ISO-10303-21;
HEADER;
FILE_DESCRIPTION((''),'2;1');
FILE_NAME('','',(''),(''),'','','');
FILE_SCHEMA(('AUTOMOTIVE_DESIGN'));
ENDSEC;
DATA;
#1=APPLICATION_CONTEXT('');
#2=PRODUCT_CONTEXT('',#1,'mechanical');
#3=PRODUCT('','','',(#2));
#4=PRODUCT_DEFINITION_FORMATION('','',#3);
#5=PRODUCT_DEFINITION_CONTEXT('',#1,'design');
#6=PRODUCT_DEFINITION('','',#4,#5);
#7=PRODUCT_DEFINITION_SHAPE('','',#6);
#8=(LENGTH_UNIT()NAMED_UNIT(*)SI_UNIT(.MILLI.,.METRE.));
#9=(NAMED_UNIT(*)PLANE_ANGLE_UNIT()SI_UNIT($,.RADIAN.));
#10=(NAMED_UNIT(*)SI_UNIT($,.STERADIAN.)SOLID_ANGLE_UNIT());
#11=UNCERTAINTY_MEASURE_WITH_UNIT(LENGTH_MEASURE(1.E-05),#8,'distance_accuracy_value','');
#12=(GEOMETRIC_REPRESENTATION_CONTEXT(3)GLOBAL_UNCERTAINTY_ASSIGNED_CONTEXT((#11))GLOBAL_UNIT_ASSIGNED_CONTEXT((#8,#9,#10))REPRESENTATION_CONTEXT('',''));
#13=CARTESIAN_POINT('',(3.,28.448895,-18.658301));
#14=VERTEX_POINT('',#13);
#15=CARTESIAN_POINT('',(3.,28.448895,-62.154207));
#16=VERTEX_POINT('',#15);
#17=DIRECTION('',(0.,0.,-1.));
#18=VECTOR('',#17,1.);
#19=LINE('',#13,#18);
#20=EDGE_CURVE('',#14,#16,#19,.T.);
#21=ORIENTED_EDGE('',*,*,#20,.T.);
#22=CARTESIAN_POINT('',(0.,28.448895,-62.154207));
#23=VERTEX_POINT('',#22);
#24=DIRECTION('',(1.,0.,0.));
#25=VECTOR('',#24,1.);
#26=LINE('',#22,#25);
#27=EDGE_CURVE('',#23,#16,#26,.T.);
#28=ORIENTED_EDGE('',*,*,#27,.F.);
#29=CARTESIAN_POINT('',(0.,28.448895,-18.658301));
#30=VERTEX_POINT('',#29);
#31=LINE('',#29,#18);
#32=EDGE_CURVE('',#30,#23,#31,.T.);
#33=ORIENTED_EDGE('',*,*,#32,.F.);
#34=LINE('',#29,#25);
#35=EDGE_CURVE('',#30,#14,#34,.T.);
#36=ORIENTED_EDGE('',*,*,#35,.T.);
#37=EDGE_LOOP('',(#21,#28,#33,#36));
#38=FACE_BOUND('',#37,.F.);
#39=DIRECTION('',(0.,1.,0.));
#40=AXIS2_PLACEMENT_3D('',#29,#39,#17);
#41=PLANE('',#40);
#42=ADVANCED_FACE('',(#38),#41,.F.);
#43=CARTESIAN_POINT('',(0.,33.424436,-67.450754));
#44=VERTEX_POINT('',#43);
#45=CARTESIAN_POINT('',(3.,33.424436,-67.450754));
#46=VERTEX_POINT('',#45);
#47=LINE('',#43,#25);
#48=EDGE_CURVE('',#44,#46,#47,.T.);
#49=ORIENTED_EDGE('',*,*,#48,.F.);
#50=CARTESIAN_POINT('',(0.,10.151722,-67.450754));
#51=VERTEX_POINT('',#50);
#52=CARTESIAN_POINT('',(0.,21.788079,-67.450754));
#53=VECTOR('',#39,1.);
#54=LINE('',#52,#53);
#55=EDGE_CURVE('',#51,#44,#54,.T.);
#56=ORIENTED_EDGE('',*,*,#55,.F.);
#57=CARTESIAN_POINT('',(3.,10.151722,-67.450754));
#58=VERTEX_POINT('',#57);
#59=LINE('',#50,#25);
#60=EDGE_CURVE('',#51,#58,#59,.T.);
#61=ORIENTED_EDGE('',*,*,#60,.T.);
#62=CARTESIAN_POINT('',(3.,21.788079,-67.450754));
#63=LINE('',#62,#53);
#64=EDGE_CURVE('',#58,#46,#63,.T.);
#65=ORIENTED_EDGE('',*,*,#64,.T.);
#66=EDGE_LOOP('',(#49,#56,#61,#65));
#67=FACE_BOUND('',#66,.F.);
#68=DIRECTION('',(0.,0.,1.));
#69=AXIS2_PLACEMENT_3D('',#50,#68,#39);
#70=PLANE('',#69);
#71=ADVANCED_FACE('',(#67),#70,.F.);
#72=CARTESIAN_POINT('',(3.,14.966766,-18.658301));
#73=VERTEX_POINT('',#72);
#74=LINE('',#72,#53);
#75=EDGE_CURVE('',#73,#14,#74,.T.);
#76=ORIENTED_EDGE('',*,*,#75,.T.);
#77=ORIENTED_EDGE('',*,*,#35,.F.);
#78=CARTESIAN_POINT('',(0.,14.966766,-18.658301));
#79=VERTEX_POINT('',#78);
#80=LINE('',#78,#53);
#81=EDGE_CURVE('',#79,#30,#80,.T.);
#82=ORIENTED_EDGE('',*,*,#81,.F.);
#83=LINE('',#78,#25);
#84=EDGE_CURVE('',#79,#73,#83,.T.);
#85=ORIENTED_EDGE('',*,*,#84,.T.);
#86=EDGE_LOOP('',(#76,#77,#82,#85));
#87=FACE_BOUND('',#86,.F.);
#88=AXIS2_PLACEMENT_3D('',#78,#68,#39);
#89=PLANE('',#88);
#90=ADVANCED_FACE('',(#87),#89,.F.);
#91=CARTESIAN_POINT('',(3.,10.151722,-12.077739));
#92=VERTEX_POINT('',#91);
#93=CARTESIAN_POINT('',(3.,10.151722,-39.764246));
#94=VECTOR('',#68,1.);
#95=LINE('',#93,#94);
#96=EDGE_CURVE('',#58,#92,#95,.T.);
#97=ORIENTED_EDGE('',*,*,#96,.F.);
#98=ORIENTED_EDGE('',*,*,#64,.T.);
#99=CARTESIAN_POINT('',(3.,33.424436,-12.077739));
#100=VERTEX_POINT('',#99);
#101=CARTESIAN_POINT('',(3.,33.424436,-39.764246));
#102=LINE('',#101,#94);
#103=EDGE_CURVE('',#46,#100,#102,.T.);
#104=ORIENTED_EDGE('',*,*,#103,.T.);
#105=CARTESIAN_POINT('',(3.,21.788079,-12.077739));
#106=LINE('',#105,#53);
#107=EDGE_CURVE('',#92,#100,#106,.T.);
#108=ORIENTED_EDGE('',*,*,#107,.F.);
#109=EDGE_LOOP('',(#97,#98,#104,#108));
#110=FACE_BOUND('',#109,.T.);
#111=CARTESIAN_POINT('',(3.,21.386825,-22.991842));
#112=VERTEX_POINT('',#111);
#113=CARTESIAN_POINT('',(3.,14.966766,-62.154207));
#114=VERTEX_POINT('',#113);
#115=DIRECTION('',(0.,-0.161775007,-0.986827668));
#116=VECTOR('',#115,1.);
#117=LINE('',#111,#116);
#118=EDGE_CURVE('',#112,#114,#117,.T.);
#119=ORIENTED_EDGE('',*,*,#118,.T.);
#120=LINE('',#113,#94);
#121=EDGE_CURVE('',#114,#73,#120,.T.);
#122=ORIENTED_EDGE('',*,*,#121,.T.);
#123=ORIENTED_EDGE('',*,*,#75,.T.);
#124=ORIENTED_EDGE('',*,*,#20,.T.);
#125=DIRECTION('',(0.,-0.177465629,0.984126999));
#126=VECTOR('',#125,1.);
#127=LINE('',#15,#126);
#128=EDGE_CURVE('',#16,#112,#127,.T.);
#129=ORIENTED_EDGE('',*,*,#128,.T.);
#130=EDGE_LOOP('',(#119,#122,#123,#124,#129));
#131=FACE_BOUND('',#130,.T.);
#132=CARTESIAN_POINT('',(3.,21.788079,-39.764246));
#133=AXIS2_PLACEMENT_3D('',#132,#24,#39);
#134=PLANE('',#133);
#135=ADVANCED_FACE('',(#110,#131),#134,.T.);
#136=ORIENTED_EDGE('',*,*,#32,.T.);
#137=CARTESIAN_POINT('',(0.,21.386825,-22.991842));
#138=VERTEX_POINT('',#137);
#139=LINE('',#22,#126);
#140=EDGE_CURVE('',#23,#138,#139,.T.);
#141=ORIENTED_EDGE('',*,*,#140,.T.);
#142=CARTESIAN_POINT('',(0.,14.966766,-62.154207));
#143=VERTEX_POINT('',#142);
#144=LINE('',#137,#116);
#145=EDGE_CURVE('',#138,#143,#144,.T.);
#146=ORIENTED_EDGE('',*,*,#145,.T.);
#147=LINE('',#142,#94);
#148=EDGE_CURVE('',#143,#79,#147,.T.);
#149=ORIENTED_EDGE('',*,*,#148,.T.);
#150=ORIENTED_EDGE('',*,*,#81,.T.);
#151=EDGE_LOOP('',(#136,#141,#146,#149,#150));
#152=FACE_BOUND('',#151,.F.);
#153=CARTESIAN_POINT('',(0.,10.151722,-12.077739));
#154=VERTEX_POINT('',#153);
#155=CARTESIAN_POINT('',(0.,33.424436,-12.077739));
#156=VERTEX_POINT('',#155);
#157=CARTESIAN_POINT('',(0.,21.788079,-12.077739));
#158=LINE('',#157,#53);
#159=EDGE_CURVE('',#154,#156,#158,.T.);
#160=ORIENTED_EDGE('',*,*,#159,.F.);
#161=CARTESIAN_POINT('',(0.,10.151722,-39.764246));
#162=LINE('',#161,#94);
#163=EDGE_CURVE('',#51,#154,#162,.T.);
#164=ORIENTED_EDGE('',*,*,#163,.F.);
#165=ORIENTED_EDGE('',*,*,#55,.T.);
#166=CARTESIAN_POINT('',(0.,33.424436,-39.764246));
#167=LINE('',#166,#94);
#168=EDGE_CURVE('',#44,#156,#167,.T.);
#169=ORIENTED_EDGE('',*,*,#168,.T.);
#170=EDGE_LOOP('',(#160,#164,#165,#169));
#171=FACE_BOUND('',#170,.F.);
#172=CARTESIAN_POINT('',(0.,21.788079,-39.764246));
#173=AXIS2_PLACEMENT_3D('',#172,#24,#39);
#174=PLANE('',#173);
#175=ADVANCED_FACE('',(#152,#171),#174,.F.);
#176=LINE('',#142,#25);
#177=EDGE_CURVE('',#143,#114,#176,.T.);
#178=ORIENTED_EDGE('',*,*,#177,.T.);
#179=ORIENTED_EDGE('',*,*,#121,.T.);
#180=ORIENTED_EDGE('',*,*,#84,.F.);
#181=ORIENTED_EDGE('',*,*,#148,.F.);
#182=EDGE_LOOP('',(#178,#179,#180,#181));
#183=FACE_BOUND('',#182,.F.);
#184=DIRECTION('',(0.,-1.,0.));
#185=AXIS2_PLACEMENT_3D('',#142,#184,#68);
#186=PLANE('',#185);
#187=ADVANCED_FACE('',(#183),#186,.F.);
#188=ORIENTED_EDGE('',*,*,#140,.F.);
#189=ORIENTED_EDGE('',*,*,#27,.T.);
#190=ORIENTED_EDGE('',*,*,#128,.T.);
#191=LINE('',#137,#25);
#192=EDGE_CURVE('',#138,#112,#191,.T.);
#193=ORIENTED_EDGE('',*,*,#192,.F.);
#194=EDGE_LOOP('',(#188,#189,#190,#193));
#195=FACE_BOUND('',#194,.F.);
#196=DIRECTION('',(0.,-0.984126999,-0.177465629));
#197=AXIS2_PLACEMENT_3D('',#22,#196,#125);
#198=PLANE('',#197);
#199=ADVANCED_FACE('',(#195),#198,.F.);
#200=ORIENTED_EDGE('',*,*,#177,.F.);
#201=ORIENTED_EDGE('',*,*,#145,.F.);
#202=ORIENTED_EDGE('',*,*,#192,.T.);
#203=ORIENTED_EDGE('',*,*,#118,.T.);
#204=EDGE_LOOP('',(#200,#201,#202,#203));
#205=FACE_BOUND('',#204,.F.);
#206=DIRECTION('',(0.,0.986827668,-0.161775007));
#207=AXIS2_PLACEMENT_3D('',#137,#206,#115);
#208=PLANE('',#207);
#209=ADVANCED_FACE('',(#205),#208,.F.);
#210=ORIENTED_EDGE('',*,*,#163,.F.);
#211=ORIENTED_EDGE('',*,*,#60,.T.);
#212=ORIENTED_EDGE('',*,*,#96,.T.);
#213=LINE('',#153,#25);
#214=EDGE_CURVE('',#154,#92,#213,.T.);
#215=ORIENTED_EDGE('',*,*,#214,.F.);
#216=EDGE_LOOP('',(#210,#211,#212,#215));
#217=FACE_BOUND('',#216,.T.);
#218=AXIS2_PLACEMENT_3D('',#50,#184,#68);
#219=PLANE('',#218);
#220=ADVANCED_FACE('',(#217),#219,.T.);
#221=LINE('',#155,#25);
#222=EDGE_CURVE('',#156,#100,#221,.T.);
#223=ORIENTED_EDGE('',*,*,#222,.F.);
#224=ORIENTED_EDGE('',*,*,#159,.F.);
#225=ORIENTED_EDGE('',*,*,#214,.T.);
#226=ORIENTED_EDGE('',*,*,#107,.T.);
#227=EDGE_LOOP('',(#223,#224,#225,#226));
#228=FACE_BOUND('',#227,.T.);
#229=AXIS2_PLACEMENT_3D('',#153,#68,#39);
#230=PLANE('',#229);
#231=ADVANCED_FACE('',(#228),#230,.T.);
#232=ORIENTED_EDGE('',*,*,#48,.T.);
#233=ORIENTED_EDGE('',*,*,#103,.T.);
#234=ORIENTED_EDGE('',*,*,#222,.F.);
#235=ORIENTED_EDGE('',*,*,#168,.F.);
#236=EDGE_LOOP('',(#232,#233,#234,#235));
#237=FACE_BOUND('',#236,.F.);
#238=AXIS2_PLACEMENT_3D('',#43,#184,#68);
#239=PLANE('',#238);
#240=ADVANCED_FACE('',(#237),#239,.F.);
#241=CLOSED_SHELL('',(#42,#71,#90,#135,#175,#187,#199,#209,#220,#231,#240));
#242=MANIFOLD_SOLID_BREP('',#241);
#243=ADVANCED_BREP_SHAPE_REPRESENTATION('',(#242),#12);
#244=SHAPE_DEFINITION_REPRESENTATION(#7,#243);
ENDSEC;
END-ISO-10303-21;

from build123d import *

# Parameters (mm, degrees)
F0_W     = 23.272715
F0_H     = 55.373015
F1_DEPTH = 3


with BuildPart() as f1:
    # F0 (on Right) → F1 (new body)
    with BuildSketch(Plane.YZ):
        with Locations((21.788079, -39.764246)):
            Rectangle(F0_W, F0_H)
        Polygon((14.966766, -62.154207), (14.966766, -18.658301), (28.448895, -18.658301), (28.448895, -62.154207), (21.386825, -22.991842), align=None, mode=Mode.SUBTRACT)
    extrude(amount=F1_DEPTH)


solid = f1.part
